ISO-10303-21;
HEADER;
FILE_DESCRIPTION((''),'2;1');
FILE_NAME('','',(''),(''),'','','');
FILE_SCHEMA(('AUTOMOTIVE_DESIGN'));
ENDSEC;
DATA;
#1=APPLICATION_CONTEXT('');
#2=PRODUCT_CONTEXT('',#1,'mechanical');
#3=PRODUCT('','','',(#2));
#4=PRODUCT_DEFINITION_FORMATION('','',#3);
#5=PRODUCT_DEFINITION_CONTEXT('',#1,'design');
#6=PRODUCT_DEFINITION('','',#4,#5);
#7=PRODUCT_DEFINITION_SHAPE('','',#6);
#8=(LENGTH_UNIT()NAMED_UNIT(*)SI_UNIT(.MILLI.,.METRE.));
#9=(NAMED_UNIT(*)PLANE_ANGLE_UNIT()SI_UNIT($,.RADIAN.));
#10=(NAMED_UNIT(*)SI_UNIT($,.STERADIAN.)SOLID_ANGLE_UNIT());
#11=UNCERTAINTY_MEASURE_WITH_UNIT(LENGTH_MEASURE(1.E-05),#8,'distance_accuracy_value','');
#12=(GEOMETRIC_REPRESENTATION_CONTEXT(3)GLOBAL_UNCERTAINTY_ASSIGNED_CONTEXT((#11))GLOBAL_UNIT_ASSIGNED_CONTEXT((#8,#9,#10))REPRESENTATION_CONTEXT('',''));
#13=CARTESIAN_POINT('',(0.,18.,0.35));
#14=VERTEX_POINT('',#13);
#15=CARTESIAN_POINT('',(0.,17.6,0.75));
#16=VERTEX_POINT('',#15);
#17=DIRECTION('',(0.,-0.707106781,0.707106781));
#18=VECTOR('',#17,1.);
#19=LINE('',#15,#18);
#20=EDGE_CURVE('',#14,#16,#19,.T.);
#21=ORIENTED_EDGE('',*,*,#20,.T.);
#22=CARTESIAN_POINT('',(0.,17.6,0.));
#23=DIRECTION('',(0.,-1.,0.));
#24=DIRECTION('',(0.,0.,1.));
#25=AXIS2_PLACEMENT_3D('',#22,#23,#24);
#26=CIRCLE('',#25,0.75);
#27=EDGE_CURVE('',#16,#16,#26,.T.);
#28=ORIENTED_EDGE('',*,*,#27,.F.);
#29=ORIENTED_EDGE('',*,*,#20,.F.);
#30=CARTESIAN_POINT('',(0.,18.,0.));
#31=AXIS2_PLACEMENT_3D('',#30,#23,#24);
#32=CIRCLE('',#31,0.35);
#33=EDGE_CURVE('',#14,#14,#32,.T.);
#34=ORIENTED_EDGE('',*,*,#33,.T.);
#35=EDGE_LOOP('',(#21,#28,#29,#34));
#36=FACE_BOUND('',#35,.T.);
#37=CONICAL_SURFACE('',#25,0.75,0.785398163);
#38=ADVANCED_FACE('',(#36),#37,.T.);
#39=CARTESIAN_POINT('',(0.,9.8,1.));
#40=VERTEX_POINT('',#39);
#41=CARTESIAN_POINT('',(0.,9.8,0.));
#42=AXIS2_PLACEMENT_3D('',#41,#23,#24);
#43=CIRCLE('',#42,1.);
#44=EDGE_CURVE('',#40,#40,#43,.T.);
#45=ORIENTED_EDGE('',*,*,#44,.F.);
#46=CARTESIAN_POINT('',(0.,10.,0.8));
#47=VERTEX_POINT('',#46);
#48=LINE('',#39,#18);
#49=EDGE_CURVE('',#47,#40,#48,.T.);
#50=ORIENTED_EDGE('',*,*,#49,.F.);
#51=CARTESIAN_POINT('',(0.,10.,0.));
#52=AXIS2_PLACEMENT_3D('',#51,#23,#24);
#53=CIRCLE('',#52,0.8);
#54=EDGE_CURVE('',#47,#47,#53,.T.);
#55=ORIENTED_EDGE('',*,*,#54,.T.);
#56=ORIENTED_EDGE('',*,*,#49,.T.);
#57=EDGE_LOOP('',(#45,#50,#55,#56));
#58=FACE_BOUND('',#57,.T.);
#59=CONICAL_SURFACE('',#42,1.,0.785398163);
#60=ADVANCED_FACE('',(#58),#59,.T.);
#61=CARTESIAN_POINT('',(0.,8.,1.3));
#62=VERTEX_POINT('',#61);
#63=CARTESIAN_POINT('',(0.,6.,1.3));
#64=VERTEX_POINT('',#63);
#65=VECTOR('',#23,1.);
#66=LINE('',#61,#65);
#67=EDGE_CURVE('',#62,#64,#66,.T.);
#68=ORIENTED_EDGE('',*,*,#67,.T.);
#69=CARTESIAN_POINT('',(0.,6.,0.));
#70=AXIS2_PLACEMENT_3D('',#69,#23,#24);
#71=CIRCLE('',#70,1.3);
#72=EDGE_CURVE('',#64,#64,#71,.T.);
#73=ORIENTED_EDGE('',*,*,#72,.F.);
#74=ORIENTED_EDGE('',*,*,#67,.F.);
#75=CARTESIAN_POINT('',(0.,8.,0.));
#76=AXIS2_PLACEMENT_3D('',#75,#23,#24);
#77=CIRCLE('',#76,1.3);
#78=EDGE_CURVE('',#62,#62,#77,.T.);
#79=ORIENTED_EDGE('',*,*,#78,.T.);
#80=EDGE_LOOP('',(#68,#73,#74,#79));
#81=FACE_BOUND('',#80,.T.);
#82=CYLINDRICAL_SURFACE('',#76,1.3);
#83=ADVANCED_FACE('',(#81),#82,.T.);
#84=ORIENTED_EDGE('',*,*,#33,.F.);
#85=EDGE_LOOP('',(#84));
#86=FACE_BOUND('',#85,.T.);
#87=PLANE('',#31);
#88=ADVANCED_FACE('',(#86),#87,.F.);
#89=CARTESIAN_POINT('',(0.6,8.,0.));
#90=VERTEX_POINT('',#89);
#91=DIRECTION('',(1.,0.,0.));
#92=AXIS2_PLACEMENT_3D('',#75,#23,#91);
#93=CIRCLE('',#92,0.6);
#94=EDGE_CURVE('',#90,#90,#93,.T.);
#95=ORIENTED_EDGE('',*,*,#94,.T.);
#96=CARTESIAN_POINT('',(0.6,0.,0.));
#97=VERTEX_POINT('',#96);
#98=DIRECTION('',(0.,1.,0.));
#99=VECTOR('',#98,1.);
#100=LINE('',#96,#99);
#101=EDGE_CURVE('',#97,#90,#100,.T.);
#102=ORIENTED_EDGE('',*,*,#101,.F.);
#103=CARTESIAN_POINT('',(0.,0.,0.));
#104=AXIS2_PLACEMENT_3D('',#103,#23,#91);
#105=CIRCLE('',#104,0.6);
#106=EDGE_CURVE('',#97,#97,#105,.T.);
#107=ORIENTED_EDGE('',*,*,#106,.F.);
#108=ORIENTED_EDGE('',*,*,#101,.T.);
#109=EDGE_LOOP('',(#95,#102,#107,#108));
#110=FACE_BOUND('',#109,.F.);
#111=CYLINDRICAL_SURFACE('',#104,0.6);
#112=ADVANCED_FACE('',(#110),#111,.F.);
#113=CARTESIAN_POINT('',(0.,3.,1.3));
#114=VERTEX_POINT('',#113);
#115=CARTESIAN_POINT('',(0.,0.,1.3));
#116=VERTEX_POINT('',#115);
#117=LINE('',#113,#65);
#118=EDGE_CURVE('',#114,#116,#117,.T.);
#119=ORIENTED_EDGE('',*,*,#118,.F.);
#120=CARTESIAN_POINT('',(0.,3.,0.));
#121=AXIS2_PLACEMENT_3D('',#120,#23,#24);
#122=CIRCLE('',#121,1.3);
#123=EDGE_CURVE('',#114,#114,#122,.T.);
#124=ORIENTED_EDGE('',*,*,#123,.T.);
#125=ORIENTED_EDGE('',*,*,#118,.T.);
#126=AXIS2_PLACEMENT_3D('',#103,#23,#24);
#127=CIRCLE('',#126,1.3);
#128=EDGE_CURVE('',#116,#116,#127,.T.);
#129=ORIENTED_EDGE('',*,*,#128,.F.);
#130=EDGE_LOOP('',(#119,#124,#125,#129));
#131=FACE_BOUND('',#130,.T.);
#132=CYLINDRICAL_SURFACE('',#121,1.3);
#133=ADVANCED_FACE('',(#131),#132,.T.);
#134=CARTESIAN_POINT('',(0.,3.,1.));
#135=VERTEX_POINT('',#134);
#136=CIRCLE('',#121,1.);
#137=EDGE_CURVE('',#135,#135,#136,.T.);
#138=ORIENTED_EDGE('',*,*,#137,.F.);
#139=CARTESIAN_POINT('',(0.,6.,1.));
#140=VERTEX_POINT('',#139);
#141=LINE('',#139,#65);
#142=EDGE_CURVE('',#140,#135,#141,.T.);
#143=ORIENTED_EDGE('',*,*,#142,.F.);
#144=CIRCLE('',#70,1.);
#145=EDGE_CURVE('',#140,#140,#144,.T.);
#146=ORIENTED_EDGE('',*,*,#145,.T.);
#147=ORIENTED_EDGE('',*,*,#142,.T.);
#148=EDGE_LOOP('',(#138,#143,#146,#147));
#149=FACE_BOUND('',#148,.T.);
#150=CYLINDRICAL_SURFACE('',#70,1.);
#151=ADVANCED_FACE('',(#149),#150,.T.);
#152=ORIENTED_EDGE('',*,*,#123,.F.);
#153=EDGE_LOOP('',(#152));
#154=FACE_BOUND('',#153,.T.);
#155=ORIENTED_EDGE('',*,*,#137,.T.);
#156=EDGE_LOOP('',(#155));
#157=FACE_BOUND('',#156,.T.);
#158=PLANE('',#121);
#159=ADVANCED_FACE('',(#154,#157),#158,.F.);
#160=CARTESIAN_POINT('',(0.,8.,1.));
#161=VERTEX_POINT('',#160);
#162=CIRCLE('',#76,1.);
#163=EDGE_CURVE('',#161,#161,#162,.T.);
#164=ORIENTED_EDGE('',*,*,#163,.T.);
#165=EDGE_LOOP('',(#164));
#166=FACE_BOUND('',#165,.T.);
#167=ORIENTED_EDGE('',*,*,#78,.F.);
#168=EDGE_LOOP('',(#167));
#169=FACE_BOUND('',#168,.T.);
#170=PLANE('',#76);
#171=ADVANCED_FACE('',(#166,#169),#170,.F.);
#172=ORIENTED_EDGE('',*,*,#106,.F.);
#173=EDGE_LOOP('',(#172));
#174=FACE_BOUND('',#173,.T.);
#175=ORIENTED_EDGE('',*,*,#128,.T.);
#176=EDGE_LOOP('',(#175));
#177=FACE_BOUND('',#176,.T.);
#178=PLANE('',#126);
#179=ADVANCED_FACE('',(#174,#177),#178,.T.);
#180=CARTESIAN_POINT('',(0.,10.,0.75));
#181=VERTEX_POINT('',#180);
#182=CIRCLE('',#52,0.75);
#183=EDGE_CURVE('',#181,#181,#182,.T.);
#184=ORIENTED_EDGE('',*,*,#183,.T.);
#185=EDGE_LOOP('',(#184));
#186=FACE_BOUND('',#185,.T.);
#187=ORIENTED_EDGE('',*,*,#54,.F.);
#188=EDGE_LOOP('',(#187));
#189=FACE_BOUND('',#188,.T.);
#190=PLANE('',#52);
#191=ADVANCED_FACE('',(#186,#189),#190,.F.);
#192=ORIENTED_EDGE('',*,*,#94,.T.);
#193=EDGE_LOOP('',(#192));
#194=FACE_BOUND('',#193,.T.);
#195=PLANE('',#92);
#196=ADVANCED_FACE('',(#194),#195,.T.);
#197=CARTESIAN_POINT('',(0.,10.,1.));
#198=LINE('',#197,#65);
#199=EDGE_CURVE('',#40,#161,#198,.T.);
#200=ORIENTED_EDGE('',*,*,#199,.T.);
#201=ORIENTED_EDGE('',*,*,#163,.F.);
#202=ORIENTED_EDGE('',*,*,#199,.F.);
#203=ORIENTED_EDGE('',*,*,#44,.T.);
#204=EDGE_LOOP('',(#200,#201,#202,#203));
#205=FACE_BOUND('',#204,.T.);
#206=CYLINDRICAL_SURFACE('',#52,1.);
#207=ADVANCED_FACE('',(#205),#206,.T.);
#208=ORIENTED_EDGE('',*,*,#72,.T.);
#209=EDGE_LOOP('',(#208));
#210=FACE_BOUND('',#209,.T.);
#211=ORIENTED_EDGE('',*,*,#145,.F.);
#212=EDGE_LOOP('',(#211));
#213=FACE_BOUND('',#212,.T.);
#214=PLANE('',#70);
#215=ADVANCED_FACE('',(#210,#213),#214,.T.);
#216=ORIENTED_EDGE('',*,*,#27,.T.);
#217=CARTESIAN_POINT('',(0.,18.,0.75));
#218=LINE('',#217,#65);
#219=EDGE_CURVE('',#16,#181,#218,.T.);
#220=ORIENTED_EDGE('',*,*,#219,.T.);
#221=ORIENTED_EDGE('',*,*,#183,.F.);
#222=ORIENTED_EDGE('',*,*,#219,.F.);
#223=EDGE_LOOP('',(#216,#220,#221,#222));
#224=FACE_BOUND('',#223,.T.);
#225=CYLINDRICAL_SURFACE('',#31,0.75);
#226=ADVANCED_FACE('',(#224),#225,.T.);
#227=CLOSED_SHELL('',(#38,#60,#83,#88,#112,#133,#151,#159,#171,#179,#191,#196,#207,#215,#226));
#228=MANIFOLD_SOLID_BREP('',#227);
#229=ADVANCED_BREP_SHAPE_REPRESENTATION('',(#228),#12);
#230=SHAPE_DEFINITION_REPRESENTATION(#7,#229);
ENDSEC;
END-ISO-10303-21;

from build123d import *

# Parameters (mm, degrees)
F2_SIZE  = 0.4
F3_SIZE  = 0.2
F4_R     = 0.6
F5_DEPTH = 8


with BuildPart() as f1:
    # F0 (on Right) → F1 (revolve)
    with BuildSketch(Plane.YZ):
        Polygon((0, 1.3), (0, 0), (18, 0), (18, 0.75), (10, 0.75), (10, 1), (8, 1), (8, 1.3), (6, 1.3), (6, 1), (3, 1), (3, 1.3), align=None)
    revolve(axis=Axis((0, 9, 0), (0, -1, 0)))

    # F2
    f2_edges = [f1.edges().sort_by_distance(p)[0] for p in [
        (0, 18, -0.75),
    ]]
    chamfer(f2_edges, length=F2_SIZE)

    # F3
    f3_edges = [f1.edges().sort_by_distance(p)[0] for p in [
        (0, 10, -1),
    ]]
    chamfer(f3_edges, length=F3_SIZE)

    # F4 (on face) → F5 (cut)
    with BuildSketch(Plane.XZ):
        Circle(F4_R)
    extrude(amount=-F5_DEPTH, mode=Mode.SUBTRACT)


solid = f1.part
